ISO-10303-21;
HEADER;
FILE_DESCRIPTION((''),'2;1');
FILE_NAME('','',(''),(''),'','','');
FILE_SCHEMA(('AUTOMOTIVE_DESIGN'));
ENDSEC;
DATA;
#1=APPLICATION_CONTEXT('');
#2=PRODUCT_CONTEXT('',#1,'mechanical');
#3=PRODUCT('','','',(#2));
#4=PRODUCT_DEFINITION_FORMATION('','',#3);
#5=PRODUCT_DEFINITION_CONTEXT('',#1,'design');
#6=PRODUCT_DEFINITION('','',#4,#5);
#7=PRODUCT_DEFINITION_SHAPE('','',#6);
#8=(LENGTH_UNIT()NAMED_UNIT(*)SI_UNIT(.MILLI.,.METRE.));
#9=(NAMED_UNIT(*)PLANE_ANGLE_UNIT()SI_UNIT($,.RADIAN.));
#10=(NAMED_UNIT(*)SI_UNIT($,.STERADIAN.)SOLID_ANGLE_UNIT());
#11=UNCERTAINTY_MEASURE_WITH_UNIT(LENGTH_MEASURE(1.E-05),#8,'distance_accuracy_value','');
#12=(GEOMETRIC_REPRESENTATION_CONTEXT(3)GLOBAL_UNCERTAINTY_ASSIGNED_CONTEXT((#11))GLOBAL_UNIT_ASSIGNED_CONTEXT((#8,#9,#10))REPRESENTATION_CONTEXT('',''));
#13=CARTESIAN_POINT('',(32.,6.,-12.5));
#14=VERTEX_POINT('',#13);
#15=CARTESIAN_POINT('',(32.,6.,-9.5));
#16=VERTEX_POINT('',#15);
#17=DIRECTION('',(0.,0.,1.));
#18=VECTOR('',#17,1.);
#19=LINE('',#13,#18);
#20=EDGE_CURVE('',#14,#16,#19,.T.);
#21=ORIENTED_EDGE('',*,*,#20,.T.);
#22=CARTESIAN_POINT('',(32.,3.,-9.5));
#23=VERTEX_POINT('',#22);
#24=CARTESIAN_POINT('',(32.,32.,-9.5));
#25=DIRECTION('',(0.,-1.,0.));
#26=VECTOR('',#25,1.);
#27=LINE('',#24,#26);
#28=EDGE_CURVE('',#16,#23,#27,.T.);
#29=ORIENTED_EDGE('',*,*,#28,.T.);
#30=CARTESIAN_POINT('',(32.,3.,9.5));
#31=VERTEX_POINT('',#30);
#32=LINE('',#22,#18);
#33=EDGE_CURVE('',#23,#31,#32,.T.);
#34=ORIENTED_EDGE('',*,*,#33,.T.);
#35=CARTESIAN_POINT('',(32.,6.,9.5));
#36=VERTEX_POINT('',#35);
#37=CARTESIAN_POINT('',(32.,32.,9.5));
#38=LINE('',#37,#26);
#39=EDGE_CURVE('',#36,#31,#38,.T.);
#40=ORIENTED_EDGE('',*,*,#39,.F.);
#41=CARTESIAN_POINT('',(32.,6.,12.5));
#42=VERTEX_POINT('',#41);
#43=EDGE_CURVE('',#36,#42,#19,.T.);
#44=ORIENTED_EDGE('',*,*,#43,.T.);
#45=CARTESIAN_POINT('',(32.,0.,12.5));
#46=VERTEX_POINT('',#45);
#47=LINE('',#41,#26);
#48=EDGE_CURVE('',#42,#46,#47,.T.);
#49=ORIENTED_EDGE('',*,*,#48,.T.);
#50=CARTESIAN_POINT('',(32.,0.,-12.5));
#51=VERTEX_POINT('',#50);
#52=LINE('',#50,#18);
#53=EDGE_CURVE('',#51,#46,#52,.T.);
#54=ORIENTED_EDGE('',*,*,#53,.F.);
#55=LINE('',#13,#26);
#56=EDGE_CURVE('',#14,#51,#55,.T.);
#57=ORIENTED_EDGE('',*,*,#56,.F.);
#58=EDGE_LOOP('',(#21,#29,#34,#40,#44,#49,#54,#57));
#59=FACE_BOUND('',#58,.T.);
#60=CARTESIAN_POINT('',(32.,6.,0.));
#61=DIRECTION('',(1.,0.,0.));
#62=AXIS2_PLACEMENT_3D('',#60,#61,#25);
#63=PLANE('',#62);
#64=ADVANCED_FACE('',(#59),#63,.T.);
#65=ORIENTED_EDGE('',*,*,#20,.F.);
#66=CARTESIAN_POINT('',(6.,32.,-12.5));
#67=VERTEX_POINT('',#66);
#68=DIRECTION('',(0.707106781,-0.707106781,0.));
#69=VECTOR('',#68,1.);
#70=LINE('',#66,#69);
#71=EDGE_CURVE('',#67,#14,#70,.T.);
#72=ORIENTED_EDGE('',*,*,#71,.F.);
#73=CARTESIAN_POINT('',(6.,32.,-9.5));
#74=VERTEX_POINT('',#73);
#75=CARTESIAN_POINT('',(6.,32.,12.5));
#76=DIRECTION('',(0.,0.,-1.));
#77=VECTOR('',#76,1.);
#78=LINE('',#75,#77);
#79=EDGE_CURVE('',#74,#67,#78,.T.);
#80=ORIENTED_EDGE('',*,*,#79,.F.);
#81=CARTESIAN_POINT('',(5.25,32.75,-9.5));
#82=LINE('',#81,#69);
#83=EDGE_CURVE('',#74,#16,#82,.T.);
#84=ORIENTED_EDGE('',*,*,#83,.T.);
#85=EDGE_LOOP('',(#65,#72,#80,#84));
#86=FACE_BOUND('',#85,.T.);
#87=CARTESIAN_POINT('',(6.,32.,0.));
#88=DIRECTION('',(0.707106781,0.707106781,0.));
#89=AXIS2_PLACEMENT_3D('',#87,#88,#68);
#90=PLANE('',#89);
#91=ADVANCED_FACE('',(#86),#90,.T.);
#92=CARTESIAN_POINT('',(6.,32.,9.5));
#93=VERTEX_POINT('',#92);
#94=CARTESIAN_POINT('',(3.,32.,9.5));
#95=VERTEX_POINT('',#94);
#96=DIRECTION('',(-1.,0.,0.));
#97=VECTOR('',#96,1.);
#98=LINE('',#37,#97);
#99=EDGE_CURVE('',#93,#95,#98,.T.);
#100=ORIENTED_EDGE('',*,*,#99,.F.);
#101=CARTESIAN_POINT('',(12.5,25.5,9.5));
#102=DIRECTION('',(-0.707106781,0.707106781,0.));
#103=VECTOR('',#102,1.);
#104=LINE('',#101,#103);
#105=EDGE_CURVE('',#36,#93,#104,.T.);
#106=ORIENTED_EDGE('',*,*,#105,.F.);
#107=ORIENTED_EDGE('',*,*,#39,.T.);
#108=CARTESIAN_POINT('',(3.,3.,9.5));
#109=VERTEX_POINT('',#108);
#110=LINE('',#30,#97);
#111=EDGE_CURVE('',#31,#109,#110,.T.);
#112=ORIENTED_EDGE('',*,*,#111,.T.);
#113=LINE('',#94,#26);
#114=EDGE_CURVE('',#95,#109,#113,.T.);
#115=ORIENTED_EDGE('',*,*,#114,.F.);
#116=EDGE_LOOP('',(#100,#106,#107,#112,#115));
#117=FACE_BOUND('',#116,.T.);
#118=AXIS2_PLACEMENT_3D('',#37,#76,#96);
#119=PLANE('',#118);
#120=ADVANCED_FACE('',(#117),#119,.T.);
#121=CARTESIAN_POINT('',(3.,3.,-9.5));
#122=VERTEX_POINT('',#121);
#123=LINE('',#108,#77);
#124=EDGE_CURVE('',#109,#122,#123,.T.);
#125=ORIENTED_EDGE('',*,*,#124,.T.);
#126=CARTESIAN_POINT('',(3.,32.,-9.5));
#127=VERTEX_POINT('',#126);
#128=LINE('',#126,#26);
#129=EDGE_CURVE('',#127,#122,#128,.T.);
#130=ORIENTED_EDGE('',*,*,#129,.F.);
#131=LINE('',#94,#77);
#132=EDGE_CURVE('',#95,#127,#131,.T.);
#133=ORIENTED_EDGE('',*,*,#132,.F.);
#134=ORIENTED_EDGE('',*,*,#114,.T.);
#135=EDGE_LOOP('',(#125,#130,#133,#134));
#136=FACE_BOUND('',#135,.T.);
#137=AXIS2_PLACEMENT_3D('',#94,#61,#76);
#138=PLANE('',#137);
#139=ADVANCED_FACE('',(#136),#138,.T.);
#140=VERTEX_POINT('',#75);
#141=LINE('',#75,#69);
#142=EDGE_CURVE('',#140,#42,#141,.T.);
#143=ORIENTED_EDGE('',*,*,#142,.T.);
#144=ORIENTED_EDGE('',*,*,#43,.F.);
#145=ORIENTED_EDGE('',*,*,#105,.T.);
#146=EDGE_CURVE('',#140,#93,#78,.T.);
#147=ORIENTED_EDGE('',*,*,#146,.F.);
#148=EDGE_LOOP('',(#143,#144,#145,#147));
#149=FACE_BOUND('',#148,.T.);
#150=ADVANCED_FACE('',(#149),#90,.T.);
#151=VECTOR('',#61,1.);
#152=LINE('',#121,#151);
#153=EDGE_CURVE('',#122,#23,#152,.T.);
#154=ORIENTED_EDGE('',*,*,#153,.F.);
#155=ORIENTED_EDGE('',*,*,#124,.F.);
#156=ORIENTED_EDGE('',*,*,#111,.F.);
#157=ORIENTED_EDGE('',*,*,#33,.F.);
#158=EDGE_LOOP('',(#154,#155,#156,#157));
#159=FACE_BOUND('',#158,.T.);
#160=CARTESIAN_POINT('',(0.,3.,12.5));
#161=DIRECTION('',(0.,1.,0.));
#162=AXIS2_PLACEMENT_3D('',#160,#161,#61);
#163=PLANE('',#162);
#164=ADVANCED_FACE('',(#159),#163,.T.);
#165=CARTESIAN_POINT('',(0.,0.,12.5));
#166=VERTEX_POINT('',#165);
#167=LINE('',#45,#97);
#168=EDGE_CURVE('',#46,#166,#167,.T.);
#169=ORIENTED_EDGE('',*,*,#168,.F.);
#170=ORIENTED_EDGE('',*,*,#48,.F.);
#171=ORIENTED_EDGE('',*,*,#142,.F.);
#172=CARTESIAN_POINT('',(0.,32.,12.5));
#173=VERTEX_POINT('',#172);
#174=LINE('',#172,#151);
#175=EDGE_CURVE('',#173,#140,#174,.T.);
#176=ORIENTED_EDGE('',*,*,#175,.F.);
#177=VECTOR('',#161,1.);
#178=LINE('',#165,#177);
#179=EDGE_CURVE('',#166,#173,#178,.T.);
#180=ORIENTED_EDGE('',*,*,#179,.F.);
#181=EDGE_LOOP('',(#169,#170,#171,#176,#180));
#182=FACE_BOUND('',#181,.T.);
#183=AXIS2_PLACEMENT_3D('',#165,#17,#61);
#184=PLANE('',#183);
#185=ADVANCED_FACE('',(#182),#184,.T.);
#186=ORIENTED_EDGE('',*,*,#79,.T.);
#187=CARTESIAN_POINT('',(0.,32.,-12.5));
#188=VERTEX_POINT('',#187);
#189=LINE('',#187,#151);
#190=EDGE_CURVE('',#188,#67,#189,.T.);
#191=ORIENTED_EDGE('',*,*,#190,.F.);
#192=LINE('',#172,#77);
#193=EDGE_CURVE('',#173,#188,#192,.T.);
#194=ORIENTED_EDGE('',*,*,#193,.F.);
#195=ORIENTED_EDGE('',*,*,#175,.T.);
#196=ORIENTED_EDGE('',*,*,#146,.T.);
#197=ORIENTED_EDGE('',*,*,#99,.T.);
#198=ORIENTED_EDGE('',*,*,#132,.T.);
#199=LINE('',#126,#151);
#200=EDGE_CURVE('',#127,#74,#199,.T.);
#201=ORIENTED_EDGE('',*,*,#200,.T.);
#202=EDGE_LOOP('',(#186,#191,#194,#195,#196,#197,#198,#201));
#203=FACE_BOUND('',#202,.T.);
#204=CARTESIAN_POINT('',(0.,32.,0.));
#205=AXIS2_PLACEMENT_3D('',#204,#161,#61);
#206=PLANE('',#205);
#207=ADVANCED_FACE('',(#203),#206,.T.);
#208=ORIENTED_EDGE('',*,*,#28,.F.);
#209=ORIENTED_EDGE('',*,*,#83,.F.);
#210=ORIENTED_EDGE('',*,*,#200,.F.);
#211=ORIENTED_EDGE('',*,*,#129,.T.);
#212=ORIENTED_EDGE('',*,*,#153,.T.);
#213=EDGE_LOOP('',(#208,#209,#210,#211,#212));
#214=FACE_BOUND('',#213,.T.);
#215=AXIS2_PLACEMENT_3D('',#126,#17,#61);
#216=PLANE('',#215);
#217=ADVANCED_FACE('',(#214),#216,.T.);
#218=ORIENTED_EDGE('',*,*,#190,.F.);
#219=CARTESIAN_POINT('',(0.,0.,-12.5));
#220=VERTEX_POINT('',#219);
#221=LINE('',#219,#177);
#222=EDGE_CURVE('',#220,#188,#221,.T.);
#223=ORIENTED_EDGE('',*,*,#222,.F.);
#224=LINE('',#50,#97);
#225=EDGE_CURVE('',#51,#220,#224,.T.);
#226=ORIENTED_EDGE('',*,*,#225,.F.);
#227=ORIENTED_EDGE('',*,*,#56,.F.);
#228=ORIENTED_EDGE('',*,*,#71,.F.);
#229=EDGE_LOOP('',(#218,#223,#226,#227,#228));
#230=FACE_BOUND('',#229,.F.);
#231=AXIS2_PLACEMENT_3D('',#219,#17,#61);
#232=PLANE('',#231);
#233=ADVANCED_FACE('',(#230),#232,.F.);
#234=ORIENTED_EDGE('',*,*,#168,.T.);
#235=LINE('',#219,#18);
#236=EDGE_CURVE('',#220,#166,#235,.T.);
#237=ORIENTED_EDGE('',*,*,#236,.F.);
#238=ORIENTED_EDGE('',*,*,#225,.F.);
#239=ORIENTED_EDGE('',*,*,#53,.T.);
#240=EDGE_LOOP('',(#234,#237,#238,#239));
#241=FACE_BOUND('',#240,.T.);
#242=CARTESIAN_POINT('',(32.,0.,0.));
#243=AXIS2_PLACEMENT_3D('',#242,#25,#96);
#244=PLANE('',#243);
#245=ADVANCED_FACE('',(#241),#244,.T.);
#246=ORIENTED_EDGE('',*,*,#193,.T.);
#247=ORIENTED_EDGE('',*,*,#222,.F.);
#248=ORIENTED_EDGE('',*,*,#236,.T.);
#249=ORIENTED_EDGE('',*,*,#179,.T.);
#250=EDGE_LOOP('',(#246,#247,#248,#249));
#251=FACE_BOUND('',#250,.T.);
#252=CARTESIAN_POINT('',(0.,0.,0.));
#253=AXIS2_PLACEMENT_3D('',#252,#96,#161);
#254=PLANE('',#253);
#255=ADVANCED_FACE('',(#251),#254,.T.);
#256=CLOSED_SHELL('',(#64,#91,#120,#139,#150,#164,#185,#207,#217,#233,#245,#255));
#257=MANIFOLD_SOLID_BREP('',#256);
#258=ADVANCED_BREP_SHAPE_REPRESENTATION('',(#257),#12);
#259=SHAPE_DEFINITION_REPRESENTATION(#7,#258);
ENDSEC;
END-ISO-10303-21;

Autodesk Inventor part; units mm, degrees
ref_plane "YZ Plane" through (0, 0, 0) normal (1, 0, 0) x (0, 1, 0)
ref_plane "XZ Plane" through (0, 0, 0) normal (0, 1, 0) x (-1, 0, 0)
ref_plane "XY Plane" through (0, 0, 0) normal (0, 0, 1) x (1, 0, 0)
sketch "Sketch1" plane through (0, 0, 0) normal (0, 0, 1) x (1, 0, 0)
  line L0 (0, 0) -> (0, 32)
  line L1 (0, 32) -> (6, 32)
  line L2 (6, 32) -> (32, 6)
  line L3 (32, 6) -> (32, 0)
  line L4 (32, 0) -> (0, 0)
  dimension "d0" = 32
  dimension "d1" = 6
extrude "Extrusion1" add sketch "Sketch1" along normal mid plane 25
sketch "Sketch2" plane through (0, 32, 12.5) normal (0, 1, 0) x (1, 0, 0)
  line L0 (0, 0) -> (0, 25) projected
  line L1 (6, 0) -> (0, 0) projected
  line L2 (0, 25) -> (6, 25) projected
  line L3 (3, 22) -> (32, 22)
  line L4 (32, 22) -> (32, 3)
  line L5 (32, 3) -> (3, 3)
  line L6 (3, 3) -> (3, 22)
  line L7 (32, 0) -> (32, 25) projected
  point P0 (0, 12.5)
  dimension "d4" = 3
  dimension "d5" = 3
  dimension "d6" = 3
extrude "Extrusion2" cut sketch "Sketch2" against normal blind 29
equation "\"d5\" = d4"
equation "\"d6\" = d4"
properties part number "CornerBracket"
